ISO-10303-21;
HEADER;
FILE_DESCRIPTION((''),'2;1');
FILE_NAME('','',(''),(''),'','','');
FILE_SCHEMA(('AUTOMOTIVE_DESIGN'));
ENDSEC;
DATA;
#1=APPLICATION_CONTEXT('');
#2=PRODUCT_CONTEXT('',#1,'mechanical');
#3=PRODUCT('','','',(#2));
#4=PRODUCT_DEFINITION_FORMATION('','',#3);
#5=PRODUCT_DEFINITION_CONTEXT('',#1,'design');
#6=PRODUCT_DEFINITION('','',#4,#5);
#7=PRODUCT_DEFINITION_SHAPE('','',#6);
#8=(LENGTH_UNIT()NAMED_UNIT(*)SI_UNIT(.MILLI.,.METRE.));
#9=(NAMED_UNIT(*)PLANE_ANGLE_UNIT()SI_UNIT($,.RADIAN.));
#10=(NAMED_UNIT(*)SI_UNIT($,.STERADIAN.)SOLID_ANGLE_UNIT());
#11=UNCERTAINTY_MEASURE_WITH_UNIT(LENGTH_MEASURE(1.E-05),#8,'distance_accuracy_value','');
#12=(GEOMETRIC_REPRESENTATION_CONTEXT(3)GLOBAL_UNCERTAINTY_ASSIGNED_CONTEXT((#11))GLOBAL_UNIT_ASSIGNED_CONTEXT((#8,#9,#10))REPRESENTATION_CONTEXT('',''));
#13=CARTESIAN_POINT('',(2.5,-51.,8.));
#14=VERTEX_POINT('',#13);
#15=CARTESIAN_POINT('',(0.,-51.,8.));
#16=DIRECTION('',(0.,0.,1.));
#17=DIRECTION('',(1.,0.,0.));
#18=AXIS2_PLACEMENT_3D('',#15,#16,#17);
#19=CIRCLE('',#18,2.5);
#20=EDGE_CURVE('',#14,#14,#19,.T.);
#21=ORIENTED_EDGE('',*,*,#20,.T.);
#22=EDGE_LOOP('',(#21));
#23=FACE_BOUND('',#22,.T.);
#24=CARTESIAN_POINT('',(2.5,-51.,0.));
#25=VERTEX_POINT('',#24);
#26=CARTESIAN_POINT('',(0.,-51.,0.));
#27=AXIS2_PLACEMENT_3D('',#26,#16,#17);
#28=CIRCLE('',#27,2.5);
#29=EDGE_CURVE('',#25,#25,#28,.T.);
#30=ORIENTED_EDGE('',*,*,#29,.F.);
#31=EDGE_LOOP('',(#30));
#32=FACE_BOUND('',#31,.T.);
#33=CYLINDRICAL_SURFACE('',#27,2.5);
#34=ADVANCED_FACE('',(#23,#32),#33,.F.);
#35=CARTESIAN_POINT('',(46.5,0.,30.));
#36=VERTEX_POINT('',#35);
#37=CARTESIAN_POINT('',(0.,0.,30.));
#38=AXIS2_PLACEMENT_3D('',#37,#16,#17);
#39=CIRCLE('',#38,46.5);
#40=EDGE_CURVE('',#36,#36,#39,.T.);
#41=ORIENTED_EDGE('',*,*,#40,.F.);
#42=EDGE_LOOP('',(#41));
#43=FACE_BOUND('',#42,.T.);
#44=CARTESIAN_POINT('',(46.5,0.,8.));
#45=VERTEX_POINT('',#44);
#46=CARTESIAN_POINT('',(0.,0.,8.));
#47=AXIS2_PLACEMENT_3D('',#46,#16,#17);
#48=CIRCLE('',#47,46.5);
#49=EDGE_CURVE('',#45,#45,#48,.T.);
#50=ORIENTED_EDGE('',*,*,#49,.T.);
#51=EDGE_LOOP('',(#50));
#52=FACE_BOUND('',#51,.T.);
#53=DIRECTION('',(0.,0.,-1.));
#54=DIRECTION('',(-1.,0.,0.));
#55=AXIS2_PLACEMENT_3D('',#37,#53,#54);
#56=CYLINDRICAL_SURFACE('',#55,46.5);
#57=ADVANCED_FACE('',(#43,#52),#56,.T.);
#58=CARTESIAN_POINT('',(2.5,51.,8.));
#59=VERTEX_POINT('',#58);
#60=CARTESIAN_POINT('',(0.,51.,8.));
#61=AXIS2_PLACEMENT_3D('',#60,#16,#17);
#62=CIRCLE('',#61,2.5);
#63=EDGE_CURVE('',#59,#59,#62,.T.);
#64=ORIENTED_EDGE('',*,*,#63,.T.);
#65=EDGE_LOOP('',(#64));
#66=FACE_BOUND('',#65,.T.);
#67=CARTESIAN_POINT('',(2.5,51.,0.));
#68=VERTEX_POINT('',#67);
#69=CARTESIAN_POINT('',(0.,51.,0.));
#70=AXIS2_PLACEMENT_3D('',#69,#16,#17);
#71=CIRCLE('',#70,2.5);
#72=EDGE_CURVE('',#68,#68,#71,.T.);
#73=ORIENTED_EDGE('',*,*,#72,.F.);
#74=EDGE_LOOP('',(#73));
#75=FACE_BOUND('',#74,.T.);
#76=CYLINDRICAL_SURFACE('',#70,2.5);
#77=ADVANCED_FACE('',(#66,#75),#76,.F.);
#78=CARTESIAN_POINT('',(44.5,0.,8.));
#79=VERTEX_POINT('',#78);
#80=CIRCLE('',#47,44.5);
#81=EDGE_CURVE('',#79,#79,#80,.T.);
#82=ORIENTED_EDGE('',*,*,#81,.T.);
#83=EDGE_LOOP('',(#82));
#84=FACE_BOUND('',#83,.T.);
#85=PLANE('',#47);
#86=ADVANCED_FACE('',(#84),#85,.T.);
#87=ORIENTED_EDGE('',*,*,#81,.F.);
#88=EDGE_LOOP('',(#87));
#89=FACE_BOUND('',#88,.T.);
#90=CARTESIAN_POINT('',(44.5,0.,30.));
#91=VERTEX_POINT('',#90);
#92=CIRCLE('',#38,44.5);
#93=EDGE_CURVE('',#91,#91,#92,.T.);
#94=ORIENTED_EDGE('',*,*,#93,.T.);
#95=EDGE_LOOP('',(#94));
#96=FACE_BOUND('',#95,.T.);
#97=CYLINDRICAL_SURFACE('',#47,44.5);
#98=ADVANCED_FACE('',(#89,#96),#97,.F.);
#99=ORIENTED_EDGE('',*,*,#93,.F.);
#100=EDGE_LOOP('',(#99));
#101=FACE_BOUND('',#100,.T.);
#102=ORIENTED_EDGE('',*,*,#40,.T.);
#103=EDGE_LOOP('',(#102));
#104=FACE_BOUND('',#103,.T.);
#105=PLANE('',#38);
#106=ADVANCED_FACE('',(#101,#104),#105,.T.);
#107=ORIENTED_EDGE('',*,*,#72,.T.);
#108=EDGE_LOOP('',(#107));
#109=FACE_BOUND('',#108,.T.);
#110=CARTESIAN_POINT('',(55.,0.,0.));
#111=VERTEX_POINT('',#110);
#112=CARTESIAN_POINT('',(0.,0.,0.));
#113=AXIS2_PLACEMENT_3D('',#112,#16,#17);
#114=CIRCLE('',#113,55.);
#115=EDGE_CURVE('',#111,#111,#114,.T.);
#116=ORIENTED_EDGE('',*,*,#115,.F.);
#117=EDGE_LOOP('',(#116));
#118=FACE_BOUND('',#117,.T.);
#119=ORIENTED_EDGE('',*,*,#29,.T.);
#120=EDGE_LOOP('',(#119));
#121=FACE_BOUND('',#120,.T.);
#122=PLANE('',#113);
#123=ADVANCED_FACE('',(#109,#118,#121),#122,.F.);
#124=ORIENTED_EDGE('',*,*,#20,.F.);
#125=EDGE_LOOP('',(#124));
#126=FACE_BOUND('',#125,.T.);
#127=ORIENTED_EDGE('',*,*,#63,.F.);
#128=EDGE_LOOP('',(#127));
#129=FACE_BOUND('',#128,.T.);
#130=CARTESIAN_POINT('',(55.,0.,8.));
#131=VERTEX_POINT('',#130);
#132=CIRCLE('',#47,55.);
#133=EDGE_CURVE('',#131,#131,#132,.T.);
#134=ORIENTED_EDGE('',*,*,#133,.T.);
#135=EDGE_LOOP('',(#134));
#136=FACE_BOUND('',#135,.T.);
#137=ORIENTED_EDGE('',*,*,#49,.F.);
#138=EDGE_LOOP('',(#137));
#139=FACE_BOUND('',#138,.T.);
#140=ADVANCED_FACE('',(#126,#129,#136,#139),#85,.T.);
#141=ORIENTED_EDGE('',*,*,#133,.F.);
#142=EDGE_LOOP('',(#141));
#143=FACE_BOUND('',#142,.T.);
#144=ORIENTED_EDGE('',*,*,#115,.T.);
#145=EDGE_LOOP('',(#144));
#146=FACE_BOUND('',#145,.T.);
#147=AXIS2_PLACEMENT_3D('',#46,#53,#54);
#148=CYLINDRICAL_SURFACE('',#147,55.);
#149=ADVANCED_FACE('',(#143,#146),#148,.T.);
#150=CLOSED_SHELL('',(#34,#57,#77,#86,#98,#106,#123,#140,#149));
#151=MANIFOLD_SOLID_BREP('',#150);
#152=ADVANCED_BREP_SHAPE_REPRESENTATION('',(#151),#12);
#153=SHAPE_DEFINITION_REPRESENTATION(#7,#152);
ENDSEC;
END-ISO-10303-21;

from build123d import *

# Parameters (mm, degrees)
SKETCH1_R               = 46.5
BOSS_EXTRUDE1_DEPTH     = 30
SKETCH1_3_R             = 55
SKETCH1_3_R_2           = 46.5
BOSS_EXTRUDE2_DEPTH     = 8
CUT_EXTRUDE1_DEPTH      = 81.833161512
CUT_EXTRUDE1_DEPTH_BACK = 81.833161512
SKETCH2_R               = 2.5
SKETCH3_R               = 44.5
CUT_EXTRUDE2_DEPTH      = 22


with BuildPart() as part:
    # Sketch1 → Boss-Extrude1 (new body)
    with BuildSketch(Plane.XY):
        Circle(SKETCH1_R)
    extrude(amount=BOSS_EXTRUDE1_DEPTH)

    # Sketch1<3> → Boss-Extrude2 (add)
    with BuildSketch(Plane.XY):
        Circle(SKETCH1_3_R)
        Circle(SKETCH1_3_R_2, mode=Mode.SUBTRACT)
    extrude(amount=BOSS_EXTRUDE2_DEPTH)

    # Sketch2 → Cut-Extrude1 (cut, two sides: drawn at the far end of the back side and taken through both)
    with BuildSketch(Plane.XY.offset(8).offset(-CUT_EXTRUDE1_DEPTH_BACK)):
        with Locations((0, 51)):
            Circle(SKETCH2_R)
        with Locations((0, -51)):
            Circle(SKETCH2_R)
    extrude(amount=CUT_EXTRUDE1_DEPTH + CUT_EXTRUDE1_DEPTH_BACK, mode=Mode.SUBTRACT)

    # Sketch3 → Cut-Extrude2 (cut)
    with BuildSketch(Plane.XY.offset(30)):
        Circle(SKETCH3_R)
    extrude(amount=-CUT_EXTRUDE2_DEPTH, mode=Mode.SUBTRACT)


solid = part.part
